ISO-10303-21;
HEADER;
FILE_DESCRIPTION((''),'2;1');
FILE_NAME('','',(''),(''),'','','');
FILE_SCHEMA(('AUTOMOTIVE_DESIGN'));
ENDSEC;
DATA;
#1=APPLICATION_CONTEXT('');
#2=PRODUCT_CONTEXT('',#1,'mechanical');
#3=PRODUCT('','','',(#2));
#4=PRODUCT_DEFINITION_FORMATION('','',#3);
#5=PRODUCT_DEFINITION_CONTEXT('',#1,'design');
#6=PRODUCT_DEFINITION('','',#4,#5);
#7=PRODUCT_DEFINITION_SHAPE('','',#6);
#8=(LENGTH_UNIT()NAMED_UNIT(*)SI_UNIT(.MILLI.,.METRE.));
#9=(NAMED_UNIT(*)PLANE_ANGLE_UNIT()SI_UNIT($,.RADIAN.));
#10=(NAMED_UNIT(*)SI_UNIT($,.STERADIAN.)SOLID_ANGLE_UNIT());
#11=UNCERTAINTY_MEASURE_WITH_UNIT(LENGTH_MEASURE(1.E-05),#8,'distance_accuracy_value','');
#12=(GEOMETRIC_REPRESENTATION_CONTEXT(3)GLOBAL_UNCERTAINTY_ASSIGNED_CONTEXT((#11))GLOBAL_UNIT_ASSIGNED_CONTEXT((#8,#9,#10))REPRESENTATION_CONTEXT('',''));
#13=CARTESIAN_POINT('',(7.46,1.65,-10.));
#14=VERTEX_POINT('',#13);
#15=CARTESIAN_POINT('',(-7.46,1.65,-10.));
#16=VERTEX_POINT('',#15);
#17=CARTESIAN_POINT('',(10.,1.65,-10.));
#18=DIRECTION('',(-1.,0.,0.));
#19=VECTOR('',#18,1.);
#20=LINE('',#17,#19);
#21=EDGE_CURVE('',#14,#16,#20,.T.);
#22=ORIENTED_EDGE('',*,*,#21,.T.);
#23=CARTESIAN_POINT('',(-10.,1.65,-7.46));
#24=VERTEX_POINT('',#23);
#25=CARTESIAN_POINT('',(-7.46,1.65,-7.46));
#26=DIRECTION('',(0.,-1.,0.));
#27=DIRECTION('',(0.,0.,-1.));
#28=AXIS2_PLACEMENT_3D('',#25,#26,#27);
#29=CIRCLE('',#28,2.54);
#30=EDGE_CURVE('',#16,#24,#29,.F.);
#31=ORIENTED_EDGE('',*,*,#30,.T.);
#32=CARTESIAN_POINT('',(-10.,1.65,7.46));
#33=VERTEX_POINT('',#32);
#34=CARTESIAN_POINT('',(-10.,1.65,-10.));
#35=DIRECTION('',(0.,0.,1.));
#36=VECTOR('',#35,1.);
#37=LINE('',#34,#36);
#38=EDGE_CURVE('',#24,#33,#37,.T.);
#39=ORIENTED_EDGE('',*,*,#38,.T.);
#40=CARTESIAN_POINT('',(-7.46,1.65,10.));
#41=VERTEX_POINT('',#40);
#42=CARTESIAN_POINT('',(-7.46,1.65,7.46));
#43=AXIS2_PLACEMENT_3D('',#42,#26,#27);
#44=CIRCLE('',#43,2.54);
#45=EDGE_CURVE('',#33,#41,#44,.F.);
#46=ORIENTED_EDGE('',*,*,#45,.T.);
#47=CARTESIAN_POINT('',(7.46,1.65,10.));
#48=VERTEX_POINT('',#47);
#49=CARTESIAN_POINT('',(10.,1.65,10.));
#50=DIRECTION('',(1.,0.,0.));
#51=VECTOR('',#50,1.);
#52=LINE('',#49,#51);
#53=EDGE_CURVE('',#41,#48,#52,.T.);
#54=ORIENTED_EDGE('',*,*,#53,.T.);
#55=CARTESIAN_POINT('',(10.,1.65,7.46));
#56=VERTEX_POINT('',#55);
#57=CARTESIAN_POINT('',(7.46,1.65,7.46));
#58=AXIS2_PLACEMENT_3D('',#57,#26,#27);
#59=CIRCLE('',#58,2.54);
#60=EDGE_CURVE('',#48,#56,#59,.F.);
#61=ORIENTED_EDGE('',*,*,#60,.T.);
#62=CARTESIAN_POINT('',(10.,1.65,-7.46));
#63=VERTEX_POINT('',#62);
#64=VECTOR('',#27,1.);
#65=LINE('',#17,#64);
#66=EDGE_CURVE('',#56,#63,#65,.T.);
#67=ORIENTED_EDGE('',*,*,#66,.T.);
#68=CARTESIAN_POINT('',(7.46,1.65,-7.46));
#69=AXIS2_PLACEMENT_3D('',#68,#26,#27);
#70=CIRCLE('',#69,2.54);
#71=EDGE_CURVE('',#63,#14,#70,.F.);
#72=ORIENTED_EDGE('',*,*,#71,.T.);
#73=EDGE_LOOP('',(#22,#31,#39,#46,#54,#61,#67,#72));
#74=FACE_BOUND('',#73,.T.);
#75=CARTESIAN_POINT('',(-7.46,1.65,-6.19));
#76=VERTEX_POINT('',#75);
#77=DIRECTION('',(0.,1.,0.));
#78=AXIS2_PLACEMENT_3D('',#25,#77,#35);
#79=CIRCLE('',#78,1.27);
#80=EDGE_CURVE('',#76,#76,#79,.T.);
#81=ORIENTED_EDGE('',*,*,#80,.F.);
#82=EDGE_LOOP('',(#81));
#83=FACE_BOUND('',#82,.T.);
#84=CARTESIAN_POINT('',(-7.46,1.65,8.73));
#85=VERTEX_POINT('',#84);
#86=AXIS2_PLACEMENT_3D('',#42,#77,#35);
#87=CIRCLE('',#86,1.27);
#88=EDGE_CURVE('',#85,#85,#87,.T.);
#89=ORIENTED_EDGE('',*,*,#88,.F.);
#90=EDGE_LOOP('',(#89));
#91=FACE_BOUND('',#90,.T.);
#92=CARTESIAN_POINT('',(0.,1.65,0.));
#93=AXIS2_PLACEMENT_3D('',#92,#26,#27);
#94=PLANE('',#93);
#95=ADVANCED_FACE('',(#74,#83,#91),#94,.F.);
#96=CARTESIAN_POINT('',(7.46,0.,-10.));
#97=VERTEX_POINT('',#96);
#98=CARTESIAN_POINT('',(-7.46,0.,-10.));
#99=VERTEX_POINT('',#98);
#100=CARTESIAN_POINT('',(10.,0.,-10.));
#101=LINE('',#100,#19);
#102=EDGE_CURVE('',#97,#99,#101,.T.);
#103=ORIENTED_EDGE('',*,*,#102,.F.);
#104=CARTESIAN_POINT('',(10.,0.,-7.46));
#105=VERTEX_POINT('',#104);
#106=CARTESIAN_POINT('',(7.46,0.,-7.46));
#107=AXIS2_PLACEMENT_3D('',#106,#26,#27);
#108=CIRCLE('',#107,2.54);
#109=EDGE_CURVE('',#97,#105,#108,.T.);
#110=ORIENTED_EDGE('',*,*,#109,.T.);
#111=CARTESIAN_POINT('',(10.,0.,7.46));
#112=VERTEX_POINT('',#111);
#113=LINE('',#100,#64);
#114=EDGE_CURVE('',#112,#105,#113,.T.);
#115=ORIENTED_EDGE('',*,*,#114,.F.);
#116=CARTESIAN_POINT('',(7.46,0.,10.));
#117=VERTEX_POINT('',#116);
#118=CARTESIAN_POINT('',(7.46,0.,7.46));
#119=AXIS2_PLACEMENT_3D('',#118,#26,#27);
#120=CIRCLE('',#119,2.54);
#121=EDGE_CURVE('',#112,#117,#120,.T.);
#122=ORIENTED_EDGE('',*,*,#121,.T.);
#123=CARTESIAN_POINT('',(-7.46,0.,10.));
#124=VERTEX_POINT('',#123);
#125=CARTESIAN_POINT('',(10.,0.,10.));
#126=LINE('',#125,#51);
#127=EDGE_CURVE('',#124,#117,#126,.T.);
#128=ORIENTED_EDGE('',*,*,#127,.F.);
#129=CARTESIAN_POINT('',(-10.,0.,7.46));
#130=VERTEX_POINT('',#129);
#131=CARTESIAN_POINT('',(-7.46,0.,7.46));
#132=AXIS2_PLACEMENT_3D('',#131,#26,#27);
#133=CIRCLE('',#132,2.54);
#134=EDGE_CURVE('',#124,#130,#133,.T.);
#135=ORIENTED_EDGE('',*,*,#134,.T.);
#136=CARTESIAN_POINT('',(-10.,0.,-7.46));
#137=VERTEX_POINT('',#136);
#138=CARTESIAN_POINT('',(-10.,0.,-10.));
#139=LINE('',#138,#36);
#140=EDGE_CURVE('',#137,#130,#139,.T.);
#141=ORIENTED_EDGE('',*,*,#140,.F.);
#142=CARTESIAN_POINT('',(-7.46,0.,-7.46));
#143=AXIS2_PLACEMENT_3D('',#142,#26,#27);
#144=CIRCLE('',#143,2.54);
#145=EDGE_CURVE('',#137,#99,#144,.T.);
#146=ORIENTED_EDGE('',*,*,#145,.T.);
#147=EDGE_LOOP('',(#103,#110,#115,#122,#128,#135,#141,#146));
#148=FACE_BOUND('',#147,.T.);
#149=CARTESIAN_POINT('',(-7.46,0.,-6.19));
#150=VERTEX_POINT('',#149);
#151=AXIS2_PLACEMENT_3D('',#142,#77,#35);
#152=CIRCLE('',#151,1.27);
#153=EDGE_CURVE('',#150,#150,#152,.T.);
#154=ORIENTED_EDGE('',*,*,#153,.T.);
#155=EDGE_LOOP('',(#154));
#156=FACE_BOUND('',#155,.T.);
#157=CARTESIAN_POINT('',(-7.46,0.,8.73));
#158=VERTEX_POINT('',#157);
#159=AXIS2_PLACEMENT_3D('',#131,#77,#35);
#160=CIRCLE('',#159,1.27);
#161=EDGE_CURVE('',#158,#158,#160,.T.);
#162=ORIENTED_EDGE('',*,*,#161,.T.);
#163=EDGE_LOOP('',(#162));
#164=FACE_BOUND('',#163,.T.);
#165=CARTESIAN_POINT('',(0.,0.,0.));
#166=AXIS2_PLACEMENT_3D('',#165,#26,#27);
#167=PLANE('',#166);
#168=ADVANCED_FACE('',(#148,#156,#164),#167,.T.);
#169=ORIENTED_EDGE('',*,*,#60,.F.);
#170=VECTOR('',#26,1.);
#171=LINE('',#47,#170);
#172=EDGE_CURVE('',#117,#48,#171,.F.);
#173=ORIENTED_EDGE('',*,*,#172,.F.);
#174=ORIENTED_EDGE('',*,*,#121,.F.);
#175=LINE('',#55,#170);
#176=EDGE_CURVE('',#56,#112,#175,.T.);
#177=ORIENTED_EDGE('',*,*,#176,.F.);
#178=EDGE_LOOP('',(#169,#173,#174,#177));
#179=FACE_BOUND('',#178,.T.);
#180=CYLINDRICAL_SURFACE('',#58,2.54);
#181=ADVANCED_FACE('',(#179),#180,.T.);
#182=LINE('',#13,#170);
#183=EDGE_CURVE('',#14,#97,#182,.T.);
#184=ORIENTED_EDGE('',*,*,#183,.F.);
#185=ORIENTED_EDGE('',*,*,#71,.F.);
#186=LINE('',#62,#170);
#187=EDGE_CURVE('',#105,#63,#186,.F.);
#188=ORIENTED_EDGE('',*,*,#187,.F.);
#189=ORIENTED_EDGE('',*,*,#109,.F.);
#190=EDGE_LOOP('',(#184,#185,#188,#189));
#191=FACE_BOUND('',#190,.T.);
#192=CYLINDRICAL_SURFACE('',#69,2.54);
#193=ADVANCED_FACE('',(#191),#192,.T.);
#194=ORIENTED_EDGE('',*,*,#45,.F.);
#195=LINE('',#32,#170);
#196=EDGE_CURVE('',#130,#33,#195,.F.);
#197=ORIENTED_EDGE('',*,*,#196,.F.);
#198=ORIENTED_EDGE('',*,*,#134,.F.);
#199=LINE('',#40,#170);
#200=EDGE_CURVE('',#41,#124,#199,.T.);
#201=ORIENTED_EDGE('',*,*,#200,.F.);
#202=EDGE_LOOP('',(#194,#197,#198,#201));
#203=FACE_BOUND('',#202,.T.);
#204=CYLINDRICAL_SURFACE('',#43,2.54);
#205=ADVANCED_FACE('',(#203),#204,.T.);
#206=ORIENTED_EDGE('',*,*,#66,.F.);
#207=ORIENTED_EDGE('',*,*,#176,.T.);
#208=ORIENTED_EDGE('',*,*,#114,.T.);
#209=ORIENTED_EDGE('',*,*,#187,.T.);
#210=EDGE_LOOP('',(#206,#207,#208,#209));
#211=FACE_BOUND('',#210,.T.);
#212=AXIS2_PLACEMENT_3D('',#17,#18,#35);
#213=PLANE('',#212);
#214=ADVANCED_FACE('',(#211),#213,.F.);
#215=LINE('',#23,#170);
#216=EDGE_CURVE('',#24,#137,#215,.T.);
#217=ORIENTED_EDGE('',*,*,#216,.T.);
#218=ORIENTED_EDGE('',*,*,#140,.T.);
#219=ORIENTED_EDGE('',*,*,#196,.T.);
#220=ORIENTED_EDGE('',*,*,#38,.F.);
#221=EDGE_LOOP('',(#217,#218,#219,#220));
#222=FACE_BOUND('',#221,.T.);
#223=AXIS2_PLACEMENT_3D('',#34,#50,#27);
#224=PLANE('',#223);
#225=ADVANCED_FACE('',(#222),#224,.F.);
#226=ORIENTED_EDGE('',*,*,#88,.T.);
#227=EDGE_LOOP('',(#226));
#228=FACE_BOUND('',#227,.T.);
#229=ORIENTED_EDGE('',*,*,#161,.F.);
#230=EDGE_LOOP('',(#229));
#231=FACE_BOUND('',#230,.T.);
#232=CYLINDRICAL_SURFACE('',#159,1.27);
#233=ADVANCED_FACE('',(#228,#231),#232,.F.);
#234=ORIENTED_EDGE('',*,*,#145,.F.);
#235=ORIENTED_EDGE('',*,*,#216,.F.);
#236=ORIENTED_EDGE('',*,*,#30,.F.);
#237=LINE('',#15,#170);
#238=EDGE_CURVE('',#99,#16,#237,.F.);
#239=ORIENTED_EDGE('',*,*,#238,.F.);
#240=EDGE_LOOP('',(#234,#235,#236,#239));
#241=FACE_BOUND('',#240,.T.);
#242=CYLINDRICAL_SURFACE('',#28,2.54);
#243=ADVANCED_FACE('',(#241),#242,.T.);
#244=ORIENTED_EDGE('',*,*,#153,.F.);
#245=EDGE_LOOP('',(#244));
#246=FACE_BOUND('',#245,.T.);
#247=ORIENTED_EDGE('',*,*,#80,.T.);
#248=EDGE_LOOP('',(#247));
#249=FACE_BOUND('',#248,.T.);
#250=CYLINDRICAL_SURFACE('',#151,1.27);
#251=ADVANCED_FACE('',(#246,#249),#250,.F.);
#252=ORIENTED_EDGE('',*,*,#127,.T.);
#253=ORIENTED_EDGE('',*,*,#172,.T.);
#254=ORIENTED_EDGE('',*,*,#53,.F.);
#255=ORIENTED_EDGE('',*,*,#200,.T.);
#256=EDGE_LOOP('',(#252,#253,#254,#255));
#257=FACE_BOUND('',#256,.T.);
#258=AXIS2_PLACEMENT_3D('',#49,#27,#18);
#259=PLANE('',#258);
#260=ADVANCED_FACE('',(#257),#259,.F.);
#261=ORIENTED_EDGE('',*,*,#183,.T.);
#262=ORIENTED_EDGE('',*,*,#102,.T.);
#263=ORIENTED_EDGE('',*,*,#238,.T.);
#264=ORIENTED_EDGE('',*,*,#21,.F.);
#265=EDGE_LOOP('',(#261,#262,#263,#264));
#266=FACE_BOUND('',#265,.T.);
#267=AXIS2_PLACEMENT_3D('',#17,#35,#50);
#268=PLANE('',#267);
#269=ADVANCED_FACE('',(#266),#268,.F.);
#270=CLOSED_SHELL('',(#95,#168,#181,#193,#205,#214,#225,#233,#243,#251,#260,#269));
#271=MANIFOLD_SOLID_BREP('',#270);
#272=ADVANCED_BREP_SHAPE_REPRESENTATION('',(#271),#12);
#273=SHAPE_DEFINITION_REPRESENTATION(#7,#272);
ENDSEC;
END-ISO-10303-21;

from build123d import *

# Parameters (mm, degrees)
SKETCH2_W           = 20
SKETCH2_H           = 20
BOSS_EXTRUDE1_DEPTH = 1.65
FILLET1_R           = 2.54
SKETCH3_R           = 1.27
CUT_EXTRUDE1_DEPTH  = 15.238065178


with BuildPart() as part:
    # Sketch2 → Boss-Extrude1 (new body)
    with BuildSketch(Plane(origin=(0, 0, 0), x_dir=(1, 0, 0), z_dir=(0, 1, 0))):
        Rectangle(SKETCH2_W, SKETCH2_H)
    extrude(amount=BOSS_EXTRUDE1_DEPTH)

    # Fillet1
    fillet1_edges = [part.edges().sort_by_distance(p)[0] for p in [
        (-10, 0.825, -10),
        (10, 0.825, -10),
        (10, 0.825, 10),
        (-10, 0.825, 10),
    ]]
    fillet(fillet1_edges, radius=FILLET1_R)

    # Sketch3 → Cut-Extrude1 (cut, through all)
    with BuildSketch(Plane(origin=(0, 1.65, 0), x_dir=(1, 0, 0), z_dir=(0, 1, 0))):
        with Locations(Location((-7.46, 7.46, 0), (0, 0, 270))):
            Circle(SKETCH3_R)
        with Locations(Location((-7.46, -7.46, 0), (0, 0, 270))):
            Circle(SKETCH3_R)
    extrude(amount=-CUT_EXTRUDE1_DEPTH, mode=Mode.SUBTRACT)


solid = part.part
